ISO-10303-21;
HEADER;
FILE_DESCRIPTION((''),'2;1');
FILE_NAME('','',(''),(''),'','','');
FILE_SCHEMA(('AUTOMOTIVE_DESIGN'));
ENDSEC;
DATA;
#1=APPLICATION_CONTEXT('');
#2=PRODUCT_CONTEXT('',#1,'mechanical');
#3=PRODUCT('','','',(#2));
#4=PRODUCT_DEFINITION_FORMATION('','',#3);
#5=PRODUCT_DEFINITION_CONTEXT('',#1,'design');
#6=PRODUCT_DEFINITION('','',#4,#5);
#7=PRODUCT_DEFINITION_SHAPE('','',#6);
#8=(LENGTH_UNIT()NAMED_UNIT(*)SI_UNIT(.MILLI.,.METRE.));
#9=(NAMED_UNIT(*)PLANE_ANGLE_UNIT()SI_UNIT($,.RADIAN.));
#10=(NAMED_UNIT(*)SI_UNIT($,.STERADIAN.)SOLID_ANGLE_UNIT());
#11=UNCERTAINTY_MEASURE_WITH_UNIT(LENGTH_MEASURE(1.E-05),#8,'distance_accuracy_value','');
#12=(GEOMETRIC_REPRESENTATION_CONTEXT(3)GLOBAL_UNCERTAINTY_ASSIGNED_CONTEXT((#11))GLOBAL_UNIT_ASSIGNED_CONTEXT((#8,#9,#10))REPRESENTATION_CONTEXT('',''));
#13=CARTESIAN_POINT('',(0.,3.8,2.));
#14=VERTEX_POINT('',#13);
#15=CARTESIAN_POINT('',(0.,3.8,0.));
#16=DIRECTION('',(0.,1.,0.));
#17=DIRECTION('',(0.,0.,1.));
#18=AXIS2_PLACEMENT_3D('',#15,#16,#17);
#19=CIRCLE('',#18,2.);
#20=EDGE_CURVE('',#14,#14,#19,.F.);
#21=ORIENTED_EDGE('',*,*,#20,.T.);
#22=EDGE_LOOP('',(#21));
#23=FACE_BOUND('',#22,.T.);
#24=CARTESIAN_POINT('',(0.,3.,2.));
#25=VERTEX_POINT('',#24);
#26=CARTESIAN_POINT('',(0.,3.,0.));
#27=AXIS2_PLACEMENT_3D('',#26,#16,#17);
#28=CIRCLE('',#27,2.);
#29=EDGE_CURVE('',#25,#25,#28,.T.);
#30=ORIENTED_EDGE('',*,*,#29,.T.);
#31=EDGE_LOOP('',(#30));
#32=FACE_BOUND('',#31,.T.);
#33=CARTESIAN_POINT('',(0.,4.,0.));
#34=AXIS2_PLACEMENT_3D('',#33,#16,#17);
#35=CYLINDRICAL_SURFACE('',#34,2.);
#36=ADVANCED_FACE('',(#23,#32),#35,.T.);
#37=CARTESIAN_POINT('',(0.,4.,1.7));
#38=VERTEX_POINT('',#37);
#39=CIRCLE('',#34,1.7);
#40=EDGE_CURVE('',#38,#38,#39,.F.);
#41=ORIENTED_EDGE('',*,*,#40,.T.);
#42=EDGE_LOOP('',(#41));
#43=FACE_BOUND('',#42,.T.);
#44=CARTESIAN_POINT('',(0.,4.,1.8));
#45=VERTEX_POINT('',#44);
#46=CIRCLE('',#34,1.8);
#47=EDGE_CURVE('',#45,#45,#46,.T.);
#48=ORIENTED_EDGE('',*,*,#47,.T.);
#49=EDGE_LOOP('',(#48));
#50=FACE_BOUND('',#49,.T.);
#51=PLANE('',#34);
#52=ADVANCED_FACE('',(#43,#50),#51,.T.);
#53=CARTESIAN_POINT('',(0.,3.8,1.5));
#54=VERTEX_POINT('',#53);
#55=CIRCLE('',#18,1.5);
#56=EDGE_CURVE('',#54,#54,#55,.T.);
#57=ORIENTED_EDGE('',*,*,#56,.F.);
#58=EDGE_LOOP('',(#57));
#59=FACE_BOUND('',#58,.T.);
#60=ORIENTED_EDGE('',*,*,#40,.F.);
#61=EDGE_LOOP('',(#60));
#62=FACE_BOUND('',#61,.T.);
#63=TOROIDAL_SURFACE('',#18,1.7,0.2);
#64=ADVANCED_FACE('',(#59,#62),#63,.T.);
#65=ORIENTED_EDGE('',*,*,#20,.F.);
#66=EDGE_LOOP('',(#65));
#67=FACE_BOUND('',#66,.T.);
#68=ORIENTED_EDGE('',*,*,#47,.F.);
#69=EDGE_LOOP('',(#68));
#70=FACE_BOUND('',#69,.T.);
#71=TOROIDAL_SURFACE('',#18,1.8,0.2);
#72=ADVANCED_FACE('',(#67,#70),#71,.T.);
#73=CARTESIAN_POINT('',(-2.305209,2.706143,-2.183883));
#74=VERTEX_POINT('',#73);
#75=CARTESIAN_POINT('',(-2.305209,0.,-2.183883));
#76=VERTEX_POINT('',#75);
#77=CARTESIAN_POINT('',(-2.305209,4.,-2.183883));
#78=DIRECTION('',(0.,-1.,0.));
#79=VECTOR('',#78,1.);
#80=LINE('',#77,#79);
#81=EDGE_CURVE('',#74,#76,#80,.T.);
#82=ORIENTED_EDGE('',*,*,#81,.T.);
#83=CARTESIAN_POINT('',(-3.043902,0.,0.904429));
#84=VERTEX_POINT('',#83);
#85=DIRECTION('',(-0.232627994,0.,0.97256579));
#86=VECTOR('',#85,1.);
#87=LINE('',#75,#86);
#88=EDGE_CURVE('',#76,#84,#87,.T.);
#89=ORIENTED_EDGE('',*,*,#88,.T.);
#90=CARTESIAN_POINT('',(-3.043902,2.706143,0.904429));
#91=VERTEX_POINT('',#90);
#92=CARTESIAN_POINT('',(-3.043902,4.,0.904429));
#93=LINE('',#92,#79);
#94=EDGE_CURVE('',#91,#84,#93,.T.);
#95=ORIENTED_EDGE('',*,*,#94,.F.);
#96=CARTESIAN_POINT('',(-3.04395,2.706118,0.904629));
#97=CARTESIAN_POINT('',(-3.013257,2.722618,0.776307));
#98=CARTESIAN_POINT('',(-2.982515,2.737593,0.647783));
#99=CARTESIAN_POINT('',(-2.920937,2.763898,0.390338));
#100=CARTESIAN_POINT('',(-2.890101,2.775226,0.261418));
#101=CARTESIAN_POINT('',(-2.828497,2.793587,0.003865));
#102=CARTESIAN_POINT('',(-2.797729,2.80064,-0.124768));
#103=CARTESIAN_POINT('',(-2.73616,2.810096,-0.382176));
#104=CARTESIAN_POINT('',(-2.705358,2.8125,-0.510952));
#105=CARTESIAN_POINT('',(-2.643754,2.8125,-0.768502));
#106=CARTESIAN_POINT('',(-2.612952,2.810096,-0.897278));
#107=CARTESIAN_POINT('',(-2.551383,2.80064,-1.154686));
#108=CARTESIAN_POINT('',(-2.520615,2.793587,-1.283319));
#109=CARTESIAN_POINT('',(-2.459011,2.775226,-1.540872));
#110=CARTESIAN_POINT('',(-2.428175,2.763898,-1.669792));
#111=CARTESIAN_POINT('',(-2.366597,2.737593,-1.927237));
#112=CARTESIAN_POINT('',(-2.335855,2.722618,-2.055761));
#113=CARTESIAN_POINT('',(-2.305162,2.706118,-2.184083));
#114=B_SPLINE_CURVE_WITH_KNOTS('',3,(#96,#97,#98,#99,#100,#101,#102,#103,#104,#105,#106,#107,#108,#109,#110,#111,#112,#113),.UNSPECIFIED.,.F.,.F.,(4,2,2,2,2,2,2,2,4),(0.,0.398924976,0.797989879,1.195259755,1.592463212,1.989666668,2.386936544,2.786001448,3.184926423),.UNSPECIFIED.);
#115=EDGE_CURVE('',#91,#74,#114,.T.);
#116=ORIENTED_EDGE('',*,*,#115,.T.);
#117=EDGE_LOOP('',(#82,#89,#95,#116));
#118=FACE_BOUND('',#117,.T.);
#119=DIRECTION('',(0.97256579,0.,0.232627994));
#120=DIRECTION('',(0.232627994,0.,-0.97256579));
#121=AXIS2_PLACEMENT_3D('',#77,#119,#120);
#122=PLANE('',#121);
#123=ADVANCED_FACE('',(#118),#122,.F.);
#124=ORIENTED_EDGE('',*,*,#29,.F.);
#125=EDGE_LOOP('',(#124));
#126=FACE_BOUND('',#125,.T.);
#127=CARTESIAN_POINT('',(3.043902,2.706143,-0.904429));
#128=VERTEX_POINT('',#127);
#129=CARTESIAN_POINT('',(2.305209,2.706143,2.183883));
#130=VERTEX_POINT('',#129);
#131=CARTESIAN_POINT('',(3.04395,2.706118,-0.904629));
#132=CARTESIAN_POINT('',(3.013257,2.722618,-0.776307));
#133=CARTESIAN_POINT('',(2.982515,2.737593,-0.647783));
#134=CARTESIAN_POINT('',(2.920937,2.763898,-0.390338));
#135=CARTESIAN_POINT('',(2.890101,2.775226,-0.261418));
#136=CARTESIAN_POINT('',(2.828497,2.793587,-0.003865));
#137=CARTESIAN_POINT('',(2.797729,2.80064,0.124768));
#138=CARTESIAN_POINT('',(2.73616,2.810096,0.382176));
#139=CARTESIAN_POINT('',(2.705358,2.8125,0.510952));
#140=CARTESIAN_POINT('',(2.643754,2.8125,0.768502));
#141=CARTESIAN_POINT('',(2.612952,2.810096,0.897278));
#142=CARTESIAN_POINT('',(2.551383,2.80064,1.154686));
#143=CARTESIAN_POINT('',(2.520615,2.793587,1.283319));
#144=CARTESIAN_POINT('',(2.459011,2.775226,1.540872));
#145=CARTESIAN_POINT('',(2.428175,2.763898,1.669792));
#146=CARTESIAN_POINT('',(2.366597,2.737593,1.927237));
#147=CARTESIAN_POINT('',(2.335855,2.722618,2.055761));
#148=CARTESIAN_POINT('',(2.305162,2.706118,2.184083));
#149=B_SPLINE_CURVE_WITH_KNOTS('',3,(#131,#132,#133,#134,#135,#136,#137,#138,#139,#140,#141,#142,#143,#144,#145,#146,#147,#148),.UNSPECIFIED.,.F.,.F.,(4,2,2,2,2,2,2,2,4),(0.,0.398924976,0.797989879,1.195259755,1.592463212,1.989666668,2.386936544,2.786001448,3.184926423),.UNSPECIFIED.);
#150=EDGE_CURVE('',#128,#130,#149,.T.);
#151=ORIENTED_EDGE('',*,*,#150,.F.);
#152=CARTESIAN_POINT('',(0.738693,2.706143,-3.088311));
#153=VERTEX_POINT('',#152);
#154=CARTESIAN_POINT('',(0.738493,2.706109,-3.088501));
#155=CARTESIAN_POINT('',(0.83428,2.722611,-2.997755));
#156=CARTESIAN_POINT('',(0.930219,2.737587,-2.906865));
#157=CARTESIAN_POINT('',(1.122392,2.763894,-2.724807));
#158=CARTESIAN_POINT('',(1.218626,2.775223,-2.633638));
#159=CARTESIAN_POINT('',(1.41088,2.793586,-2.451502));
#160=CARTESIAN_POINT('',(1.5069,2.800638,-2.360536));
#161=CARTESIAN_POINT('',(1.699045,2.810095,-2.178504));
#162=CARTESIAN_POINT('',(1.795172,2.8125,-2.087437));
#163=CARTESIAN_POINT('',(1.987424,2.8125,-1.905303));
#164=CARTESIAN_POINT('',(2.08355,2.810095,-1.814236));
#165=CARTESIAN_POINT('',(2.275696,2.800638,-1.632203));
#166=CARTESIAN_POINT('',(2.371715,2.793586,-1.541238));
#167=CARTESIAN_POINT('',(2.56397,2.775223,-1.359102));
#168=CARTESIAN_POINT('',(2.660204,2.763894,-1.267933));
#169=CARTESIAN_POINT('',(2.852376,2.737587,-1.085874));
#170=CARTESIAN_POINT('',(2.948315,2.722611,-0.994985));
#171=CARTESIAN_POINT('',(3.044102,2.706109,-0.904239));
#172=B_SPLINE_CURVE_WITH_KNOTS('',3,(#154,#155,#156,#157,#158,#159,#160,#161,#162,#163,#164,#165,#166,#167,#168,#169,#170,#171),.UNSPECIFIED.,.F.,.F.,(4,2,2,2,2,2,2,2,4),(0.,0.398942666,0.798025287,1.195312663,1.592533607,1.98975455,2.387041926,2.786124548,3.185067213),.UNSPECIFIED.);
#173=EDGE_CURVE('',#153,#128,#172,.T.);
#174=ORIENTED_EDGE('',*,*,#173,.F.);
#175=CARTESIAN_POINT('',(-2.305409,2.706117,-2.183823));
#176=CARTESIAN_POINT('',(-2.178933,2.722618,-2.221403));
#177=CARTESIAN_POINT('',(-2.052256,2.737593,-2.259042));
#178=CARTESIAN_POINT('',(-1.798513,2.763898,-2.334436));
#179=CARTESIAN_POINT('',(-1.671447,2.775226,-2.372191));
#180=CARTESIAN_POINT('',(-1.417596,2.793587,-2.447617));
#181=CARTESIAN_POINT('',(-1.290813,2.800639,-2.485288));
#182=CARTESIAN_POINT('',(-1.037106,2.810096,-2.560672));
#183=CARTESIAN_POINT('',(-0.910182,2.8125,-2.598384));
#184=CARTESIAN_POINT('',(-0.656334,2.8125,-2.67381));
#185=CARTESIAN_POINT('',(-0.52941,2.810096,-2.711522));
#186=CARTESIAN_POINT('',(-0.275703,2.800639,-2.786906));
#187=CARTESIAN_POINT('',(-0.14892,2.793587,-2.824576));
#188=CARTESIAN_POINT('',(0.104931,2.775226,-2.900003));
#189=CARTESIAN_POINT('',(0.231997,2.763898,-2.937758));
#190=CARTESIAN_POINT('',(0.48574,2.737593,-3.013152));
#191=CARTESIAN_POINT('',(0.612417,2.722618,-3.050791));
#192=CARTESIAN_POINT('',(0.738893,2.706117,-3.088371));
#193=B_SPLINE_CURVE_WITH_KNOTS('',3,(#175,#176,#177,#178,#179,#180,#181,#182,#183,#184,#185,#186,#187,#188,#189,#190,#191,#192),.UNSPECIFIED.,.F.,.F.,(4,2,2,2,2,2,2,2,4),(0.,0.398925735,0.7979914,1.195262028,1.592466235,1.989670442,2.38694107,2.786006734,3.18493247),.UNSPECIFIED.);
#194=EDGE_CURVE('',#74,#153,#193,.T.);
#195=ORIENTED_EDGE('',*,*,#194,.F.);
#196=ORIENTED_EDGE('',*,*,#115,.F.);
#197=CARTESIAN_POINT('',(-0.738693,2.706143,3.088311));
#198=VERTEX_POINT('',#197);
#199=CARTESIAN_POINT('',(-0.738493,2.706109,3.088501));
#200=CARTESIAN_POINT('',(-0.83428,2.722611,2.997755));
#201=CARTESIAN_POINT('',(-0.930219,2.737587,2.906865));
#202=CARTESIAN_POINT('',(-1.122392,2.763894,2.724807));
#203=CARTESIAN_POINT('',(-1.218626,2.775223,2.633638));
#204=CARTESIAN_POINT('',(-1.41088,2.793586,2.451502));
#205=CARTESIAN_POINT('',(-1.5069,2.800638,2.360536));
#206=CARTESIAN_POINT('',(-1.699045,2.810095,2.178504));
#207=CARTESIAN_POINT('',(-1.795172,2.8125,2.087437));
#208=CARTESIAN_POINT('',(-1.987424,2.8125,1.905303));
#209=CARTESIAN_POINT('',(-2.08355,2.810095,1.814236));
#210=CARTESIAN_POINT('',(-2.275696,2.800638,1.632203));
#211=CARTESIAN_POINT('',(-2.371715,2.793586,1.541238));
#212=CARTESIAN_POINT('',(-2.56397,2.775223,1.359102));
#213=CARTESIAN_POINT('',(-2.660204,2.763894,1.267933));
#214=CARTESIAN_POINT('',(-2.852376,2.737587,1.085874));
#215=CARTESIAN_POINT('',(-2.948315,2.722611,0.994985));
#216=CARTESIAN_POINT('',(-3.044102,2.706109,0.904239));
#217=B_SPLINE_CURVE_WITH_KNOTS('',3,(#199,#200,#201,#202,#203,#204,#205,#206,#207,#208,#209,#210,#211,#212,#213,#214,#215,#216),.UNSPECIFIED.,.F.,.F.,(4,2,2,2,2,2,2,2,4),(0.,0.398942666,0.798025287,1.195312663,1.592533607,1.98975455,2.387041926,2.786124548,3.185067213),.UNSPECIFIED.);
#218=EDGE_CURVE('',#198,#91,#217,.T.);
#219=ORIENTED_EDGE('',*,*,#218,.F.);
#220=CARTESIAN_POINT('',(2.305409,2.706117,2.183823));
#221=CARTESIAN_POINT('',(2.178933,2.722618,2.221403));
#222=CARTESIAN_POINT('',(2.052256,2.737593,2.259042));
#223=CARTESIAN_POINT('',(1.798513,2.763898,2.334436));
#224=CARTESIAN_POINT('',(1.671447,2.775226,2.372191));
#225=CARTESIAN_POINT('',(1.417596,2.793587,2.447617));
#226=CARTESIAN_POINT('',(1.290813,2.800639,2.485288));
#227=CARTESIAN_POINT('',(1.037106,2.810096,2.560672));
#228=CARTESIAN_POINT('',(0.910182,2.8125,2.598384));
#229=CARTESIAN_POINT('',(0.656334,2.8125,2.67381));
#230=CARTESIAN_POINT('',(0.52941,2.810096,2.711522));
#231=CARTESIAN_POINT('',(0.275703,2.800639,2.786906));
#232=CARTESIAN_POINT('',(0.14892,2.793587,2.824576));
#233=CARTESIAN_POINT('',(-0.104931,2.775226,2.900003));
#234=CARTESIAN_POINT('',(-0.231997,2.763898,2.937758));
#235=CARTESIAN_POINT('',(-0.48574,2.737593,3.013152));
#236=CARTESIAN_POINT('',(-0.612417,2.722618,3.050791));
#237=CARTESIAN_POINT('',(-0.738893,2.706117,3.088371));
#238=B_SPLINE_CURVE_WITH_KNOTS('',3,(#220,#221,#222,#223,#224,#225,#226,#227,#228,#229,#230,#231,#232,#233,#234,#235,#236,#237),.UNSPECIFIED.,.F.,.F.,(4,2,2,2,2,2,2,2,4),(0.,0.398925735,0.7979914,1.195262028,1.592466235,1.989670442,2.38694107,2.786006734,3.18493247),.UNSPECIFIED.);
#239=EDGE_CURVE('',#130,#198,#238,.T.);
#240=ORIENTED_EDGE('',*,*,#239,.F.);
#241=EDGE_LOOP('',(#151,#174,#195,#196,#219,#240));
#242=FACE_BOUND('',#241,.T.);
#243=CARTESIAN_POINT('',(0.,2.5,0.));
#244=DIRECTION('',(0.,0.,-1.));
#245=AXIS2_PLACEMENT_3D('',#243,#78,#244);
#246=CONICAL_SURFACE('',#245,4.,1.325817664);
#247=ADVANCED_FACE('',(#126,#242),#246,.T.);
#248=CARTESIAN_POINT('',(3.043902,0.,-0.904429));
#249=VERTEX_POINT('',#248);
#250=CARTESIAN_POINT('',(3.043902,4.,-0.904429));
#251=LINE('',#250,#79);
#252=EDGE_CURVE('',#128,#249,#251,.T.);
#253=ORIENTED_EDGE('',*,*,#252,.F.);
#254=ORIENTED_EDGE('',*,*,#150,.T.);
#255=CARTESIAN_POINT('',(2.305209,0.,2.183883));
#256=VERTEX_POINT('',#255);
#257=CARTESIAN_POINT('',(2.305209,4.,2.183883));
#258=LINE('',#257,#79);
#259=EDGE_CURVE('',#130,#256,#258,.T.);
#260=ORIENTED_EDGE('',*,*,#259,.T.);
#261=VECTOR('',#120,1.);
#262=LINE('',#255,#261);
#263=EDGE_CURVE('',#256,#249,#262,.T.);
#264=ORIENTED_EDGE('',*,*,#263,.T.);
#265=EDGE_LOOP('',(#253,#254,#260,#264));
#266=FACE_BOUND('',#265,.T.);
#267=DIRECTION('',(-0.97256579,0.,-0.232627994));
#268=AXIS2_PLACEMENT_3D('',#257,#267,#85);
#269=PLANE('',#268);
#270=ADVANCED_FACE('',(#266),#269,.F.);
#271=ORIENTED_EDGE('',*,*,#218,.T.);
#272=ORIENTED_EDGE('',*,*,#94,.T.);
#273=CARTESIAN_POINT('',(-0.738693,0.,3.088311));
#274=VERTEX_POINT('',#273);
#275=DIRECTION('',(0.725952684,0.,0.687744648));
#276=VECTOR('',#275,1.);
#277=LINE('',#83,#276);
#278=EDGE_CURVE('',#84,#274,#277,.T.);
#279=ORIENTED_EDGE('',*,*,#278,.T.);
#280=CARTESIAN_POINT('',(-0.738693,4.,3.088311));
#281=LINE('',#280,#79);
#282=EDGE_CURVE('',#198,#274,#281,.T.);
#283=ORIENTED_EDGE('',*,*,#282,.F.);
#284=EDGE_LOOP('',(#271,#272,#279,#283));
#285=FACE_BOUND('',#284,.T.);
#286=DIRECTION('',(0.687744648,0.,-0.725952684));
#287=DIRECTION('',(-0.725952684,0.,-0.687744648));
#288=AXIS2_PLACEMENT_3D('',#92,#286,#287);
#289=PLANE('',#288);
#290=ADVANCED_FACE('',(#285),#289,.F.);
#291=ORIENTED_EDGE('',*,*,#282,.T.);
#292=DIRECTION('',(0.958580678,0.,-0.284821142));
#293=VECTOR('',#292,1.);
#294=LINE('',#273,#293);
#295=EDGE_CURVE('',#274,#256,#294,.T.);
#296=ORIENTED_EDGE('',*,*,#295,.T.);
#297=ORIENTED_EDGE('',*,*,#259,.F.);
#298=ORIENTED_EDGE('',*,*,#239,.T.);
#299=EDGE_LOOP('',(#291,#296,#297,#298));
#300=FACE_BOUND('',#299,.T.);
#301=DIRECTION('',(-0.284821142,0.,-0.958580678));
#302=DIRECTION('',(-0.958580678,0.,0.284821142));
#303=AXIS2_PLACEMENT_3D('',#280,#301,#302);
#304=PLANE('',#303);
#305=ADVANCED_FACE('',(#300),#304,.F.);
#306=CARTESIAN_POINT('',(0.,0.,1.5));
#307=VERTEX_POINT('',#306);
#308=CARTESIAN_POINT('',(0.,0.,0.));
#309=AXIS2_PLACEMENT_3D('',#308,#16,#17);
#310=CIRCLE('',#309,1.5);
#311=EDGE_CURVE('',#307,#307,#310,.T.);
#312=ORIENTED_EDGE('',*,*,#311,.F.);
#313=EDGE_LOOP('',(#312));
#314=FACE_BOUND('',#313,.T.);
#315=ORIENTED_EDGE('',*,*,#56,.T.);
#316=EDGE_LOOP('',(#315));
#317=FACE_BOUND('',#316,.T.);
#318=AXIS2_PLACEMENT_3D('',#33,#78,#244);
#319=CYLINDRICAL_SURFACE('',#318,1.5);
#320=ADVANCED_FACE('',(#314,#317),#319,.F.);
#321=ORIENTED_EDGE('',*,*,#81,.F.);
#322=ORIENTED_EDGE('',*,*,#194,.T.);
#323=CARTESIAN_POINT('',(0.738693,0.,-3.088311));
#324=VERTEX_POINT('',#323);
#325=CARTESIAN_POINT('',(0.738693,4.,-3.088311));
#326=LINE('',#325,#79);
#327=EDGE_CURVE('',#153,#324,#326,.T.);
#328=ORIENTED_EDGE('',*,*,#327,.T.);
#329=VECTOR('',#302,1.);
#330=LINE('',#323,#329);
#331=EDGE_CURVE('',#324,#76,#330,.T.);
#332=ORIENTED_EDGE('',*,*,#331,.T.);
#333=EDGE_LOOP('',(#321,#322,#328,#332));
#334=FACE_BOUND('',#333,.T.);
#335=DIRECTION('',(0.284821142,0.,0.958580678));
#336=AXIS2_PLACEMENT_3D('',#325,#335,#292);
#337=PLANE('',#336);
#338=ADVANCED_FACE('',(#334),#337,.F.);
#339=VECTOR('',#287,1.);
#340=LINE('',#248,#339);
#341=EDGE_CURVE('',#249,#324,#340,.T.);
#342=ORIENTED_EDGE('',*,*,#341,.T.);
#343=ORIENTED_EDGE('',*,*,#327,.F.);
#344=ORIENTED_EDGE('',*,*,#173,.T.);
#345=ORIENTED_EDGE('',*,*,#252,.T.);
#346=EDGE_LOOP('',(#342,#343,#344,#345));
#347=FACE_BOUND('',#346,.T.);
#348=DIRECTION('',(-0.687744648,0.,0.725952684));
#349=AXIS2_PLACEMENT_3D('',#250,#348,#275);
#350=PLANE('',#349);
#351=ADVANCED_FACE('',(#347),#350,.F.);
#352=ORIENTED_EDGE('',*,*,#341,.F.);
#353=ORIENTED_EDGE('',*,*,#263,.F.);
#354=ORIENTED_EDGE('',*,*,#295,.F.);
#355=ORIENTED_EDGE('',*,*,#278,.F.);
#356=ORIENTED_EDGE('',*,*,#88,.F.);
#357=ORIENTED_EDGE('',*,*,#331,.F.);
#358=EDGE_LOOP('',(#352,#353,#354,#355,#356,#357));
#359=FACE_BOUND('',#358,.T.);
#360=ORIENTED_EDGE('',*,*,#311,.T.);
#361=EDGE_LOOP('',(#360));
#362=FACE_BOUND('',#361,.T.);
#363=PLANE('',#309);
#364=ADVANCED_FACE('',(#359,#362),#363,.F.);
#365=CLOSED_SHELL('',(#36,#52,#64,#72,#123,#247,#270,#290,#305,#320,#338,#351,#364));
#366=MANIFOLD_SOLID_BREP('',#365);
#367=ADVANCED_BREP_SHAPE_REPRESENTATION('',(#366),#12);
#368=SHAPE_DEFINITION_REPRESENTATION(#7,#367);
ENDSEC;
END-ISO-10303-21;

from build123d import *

# Parameters (mm, degrees)
SKETCH_1_R      = 1.5
EXTRUDE_1_DEPTH = 4
FILLET_2_R      = 0.2


with BuildPart() as part:
    # 草图1 → 凸台-拉伸1 (new body)
    with BuildSketch(Plane(origin=(0, 0, 0), x_dir=(1, 0, 0), z_dir=(0, 1, 0))):
        Polygon((2.305209376, -2.183882567), (3.04390247, 0.904428597), (0.738693094, 3.088311164), (-2.305209376, 2.183882567), (-3.04390247, -0.904428597), (-0.738693094, -3.088311164), align=None)
        Circle(SKETCH_1_R, mode=Mode.SUBTRACT)
    extrude(amount=EXTRUDE_1_DEPTH)

    # 草图2 → 切除-旋转1 (revolve, cut)
    with BuildSketch(Plane.XY):
        Polygon((-4, 2.5), (-2, 3), (-2, 4), (-4, 4), align=None)
    revolve(axis=Axis((0, 4, 0), (0, -1, 0)), mode=Mode.SUBTRACT)

    # 圆角2
    fillet_2_edges = [part.edges().sort_by_distance(p)[0] for p in [
        (-1.5, 4, 0),
        (2, 4, 0),
    ]]
    fillet(fillet_2_edges, radius=FILLET_2_R)


solid = part.part
